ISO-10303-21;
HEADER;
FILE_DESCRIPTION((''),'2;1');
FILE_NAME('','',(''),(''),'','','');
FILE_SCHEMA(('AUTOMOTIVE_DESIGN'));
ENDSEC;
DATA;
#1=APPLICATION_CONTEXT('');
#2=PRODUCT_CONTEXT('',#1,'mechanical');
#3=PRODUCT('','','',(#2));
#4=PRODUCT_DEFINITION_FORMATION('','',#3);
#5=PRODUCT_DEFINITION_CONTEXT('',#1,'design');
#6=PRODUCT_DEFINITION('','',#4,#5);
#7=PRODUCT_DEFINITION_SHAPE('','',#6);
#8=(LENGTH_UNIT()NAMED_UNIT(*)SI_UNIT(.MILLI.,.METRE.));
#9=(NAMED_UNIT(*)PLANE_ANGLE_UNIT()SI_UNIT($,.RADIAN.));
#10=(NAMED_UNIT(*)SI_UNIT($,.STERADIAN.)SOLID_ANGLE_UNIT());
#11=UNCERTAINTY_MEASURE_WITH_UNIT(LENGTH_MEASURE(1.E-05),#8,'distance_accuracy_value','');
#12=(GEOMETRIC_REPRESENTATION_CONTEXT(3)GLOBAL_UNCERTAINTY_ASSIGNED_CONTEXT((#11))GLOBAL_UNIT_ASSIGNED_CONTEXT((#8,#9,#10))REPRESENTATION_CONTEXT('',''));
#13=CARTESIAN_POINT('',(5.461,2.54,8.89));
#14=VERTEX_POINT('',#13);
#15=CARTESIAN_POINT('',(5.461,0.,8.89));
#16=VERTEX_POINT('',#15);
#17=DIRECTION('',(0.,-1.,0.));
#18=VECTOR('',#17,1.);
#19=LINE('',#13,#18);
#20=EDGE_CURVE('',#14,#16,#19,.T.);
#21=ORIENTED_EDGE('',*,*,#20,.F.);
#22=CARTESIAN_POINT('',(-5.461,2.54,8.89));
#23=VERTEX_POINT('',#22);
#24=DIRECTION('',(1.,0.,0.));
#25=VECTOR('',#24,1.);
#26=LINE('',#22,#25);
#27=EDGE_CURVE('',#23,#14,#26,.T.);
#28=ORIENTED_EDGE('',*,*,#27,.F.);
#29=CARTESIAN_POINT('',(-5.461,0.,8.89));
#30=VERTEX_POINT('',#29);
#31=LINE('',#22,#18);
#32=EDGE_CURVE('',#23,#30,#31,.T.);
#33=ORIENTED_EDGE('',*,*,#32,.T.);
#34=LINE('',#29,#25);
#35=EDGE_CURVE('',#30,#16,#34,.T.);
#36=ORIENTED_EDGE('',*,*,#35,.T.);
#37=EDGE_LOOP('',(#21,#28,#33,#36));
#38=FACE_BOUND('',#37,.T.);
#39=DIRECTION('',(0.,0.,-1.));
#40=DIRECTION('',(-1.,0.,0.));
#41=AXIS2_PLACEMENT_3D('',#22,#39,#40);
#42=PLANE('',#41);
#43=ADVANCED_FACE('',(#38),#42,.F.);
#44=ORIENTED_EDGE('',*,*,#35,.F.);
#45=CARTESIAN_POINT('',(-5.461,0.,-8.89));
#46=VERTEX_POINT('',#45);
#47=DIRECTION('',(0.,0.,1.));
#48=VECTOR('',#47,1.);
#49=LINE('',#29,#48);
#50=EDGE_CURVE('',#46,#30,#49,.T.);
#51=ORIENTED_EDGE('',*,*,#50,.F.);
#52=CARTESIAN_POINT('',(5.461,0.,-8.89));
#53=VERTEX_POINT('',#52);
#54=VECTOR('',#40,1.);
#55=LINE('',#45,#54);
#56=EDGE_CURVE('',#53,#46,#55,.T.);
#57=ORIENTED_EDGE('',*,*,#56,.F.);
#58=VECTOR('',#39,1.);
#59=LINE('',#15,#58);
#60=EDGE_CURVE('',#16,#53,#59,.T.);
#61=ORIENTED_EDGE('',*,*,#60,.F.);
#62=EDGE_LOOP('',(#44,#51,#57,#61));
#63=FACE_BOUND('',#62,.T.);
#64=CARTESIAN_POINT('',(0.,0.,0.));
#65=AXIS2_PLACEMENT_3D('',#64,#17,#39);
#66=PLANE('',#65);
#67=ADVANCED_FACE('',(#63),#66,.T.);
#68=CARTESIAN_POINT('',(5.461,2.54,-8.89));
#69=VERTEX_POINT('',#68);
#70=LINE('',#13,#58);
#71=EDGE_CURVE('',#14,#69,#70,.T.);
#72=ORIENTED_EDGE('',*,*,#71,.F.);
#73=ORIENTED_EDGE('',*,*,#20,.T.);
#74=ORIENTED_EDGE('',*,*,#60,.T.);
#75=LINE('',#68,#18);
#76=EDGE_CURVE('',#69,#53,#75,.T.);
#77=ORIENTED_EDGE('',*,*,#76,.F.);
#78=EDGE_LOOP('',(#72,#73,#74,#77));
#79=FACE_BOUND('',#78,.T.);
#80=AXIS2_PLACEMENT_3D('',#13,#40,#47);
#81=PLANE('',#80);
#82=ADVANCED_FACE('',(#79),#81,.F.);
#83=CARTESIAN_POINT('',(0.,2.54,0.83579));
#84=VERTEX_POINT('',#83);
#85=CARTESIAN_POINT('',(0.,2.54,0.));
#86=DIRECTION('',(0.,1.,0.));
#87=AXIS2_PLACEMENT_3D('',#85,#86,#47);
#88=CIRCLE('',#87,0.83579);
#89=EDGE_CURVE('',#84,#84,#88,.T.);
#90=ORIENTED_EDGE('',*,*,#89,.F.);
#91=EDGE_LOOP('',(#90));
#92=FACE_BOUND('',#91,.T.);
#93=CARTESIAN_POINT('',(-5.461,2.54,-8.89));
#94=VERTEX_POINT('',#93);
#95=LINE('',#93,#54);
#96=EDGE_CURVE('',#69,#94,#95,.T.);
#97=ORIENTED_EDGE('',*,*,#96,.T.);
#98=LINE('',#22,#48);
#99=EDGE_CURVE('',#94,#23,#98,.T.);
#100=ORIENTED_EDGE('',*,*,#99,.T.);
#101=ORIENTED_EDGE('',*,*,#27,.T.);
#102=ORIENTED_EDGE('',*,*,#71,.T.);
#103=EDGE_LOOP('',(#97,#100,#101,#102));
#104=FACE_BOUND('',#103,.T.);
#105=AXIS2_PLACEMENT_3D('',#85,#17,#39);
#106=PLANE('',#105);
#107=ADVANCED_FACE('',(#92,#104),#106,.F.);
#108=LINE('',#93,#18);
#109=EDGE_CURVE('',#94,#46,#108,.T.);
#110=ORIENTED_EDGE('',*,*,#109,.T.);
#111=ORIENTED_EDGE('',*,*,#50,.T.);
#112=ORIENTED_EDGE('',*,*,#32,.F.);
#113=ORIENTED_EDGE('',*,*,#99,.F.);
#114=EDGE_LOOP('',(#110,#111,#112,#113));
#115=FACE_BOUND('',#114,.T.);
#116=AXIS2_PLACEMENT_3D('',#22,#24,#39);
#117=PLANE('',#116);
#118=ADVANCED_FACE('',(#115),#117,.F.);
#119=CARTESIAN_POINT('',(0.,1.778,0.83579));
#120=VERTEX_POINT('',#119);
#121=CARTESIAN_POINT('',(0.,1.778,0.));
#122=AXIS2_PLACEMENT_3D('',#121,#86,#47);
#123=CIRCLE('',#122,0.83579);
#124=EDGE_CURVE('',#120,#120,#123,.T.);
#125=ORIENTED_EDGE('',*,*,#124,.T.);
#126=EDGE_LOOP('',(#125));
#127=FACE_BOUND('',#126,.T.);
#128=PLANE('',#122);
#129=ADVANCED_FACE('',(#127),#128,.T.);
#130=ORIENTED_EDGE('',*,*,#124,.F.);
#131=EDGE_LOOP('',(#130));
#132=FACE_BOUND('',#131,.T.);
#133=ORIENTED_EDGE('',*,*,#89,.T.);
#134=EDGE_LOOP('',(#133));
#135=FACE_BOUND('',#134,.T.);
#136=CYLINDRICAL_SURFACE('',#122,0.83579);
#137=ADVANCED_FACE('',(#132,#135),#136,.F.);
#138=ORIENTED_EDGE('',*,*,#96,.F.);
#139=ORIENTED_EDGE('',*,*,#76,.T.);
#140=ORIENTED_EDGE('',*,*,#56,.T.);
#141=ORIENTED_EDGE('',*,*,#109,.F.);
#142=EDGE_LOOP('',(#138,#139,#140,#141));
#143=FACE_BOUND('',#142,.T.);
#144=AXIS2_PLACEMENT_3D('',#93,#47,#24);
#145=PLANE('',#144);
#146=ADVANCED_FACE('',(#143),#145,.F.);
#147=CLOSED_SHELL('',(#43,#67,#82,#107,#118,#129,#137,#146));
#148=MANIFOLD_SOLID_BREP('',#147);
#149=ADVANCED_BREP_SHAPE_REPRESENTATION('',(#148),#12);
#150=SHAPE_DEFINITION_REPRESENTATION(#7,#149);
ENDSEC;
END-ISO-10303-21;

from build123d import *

# Parameters (mm, degrees)
SKETCH1_W           = 10.922
SKETCH1_H           = 17.78
BOSS_EXTRUDE1_DEPTH = 2.54
SKETCH2_R           = 0.835790113
CUT_EXTRUDE1_DEPTH  = 0.762


with BuildPart() as part:
    # Sketch1 → Boss-Extrude1 (new body)
    with BuildSketch(Plane(origin=(0, 0, 0), x_dir=(1, 0, 0), z_dir=(0, 1, 0))):
        Rectangle(SKETCH1_W, SKETCH1_H)
    extrude(amount=BOSS_EXTRUDE1_DEPTH)

    # Sketch2 → Cut-Extrude1 (cut)
    with BuildSketch(Plane(origin=(0, 2.54, 0), x_dir=(1, 0, 0), z_dir=(0, 1, 0))):
        Circle(SKETCH2_R)
    extrude(amount=-CUT_EXTRUDE1_DEPTH, mode=Mode.SUBTRACT)


solid = part.part
